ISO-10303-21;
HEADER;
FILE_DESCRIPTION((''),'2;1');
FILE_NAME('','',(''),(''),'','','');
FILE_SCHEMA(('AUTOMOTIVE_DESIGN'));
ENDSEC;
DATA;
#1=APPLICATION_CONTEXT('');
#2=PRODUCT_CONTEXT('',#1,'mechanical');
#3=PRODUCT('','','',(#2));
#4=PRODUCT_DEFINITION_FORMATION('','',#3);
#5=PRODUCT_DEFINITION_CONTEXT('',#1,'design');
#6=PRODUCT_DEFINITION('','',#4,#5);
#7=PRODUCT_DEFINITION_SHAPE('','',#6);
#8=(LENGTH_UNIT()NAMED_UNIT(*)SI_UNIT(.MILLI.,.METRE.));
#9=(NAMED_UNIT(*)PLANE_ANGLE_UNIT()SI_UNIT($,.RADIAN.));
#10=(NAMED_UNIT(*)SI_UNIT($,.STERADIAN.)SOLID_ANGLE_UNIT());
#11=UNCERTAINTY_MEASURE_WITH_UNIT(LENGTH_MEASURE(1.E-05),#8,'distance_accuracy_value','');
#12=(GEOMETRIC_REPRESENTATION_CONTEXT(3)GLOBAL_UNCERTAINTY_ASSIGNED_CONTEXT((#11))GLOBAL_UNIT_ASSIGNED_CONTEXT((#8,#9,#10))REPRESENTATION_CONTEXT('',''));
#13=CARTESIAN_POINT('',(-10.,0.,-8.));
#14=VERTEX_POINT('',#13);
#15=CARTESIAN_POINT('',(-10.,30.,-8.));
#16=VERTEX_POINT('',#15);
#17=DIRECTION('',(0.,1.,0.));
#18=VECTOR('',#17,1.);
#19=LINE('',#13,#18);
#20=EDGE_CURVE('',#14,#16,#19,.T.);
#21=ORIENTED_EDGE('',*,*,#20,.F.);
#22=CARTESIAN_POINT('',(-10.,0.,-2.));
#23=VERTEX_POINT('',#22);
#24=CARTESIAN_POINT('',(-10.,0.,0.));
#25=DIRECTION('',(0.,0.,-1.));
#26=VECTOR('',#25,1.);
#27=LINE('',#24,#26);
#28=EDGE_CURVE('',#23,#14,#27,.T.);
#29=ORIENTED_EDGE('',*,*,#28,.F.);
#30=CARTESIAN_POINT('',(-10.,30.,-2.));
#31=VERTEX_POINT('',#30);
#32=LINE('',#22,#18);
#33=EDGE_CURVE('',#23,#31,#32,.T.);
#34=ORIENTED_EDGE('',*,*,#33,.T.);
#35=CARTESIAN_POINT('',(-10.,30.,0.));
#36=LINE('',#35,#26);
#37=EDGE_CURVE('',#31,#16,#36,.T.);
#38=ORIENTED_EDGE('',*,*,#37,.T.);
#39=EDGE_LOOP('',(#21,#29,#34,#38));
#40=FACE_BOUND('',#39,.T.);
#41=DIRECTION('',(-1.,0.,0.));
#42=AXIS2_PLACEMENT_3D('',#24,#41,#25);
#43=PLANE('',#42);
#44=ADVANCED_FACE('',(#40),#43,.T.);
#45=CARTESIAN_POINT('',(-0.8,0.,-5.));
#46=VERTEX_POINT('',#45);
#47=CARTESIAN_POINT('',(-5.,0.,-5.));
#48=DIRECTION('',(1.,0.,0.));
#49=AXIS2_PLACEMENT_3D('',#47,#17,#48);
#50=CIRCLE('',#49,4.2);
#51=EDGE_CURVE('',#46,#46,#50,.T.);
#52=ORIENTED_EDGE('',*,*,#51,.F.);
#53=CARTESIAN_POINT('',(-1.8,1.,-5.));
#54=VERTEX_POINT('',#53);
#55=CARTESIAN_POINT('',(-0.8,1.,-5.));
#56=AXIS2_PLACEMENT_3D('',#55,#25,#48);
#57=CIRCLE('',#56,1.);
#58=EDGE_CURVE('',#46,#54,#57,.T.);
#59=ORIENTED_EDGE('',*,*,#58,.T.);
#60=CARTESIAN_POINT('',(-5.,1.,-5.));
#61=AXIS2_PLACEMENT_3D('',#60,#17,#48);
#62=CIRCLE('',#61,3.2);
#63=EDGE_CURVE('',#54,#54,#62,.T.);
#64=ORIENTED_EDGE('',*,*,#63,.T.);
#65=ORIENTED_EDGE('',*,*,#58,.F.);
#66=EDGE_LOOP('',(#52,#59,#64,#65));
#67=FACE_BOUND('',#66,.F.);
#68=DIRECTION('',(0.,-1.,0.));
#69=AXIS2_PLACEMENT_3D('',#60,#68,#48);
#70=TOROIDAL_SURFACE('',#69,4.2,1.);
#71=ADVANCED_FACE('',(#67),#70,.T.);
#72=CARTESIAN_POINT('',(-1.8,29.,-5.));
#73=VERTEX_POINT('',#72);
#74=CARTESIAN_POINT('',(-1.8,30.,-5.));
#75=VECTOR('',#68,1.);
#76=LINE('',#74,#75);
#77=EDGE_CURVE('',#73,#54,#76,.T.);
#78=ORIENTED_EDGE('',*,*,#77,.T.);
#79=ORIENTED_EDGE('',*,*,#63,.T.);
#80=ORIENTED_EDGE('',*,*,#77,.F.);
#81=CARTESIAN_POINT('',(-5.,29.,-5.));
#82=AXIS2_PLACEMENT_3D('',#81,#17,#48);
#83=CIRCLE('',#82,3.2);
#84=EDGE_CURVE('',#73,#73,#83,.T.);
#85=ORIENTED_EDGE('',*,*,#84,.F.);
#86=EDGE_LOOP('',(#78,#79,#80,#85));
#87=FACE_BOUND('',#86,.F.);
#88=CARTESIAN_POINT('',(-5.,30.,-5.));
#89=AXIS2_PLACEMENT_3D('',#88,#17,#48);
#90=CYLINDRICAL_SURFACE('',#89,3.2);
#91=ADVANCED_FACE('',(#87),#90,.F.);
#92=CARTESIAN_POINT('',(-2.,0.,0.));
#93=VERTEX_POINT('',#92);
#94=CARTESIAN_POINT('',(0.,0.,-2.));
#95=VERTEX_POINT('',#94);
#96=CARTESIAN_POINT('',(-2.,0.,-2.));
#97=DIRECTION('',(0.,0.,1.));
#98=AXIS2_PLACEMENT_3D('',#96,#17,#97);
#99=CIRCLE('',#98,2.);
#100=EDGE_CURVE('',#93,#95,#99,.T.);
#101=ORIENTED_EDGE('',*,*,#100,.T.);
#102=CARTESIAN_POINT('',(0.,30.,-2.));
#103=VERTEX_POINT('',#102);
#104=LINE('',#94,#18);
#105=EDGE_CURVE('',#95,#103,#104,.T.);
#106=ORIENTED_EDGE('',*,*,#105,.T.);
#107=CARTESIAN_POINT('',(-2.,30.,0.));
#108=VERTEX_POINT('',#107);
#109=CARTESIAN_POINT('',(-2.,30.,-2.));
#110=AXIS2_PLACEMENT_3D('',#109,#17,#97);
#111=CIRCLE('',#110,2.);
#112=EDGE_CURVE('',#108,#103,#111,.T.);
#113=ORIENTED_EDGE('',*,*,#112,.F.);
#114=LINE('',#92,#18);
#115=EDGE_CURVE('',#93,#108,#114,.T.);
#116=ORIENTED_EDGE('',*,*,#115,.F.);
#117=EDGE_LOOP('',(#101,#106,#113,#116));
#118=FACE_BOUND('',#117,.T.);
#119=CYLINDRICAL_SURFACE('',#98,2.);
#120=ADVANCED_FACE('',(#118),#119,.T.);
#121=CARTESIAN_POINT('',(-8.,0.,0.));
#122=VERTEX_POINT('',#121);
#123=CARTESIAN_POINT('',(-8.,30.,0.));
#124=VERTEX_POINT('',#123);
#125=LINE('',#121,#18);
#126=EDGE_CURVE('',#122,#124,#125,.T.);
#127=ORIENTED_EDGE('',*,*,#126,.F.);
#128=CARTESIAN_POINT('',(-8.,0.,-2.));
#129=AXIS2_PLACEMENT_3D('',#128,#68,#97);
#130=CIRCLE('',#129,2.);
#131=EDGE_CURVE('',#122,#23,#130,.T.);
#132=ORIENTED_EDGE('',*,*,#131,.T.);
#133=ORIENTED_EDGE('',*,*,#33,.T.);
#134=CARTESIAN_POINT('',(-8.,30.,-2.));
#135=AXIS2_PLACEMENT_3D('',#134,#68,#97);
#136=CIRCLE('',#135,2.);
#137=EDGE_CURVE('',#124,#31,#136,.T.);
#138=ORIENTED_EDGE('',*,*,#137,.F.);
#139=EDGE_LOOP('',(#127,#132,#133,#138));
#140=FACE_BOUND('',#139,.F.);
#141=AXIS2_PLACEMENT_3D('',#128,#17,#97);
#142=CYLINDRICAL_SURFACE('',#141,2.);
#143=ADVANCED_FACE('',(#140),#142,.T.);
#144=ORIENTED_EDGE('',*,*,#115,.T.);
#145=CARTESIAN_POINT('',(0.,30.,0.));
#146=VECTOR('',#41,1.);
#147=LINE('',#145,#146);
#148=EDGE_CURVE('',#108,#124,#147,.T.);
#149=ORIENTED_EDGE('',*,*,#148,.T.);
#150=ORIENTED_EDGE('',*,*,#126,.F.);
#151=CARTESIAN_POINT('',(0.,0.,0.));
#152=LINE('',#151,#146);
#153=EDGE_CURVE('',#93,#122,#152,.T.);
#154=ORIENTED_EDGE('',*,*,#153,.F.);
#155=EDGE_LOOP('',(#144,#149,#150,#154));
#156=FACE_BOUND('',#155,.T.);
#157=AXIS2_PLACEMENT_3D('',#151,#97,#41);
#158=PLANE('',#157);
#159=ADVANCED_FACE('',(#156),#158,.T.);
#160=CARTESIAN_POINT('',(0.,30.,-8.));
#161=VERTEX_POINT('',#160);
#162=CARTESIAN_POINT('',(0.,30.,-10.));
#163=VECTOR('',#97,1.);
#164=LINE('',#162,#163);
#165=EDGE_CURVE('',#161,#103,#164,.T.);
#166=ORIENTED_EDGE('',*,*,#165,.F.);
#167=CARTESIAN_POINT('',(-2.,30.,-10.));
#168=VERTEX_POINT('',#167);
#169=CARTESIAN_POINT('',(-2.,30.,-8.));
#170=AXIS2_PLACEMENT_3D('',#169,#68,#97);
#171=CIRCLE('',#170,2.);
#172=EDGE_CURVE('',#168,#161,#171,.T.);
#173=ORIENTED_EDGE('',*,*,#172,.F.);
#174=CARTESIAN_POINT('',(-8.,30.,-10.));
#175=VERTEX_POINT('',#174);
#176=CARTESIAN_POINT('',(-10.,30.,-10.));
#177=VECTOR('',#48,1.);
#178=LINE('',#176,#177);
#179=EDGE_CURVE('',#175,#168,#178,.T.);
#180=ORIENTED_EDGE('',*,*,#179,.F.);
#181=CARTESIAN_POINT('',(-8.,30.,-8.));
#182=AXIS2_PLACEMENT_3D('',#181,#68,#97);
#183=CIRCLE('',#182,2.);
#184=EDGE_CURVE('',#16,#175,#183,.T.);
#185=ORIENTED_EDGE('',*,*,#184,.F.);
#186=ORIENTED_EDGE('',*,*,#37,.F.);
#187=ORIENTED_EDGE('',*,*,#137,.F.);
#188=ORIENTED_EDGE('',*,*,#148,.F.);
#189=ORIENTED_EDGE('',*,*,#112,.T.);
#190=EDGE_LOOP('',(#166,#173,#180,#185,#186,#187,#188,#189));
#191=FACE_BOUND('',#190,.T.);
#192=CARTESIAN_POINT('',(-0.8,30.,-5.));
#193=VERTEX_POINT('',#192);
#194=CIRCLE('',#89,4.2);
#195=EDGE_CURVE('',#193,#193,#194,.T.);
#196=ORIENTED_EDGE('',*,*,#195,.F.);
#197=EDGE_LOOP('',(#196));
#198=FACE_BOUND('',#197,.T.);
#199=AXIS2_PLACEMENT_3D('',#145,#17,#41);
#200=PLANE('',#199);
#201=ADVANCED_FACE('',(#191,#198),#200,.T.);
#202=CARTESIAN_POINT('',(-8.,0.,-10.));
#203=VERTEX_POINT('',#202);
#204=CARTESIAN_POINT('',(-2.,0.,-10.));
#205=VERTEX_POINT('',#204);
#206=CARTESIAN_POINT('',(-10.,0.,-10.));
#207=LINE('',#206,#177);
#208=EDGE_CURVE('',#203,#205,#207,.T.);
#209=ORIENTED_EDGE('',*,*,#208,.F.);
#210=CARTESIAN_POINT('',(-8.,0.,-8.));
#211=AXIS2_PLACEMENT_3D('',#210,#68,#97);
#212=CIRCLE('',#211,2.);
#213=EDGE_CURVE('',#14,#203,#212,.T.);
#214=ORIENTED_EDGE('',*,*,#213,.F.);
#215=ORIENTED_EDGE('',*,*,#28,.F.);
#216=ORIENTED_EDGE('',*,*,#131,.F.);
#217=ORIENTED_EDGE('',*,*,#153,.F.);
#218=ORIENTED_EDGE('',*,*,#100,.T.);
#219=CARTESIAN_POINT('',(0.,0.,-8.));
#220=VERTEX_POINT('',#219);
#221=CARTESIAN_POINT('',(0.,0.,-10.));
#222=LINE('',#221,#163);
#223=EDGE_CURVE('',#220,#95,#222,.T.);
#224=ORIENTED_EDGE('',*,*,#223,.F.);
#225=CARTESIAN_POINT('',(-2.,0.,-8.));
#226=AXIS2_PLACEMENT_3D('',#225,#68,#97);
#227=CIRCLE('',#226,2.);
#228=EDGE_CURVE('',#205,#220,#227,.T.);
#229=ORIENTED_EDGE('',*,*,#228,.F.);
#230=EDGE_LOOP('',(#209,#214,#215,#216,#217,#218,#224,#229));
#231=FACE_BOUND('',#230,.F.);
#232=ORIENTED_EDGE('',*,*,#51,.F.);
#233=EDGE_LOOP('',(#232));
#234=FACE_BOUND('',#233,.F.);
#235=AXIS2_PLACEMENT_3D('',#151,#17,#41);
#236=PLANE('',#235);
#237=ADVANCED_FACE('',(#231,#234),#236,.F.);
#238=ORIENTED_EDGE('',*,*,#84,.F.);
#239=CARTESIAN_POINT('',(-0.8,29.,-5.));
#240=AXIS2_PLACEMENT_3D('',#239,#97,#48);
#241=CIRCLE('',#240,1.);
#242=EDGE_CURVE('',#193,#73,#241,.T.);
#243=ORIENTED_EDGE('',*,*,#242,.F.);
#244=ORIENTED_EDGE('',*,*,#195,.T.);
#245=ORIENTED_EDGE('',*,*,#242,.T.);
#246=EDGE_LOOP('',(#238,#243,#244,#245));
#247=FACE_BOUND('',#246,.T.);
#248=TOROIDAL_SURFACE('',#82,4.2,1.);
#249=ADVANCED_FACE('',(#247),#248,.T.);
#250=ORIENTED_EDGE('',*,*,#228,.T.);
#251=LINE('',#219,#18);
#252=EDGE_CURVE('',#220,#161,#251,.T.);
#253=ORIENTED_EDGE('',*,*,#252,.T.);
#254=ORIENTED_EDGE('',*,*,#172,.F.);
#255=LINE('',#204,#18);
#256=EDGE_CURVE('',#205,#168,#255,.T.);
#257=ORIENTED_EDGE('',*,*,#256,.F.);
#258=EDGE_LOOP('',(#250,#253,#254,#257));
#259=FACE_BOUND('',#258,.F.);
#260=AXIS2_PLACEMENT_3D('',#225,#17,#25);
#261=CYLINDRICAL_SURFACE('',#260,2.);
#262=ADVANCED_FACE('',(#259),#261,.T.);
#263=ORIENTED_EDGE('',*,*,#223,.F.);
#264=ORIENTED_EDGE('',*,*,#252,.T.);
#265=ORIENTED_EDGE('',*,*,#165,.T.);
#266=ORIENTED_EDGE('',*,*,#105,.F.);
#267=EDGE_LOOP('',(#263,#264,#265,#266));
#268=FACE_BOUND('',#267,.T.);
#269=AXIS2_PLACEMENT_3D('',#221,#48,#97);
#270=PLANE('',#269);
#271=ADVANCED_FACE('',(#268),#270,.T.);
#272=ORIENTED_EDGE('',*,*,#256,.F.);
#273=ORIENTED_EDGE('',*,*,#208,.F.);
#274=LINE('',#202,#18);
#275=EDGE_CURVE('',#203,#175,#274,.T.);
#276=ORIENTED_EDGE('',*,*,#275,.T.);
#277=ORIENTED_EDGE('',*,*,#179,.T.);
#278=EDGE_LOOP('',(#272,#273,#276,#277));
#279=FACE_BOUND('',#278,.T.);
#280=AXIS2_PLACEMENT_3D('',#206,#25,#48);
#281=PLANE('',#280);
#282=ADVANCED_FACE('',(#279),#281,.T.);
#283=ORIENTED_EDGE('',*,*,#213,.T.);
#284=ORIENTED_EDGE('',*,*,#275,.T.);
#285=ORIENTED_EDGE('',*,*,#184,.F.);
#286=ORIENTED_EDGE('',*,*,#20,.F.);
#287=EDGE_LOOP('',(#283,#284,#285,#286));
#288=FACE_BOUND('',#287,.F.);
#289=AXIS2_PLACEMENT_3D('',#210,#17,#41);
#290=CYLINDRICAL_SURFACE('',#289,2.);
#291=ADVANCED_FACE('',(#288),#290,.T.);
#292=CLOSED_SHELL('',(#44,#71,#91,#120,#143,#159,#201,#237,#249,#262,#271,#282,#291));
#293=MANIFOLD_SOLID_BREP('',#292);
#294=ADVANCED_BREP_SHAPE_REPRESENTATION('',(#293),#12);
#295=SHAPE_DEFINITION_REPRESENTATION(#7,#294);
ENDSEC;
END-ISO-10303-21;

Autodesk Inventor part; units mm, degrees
ref_plane "YZ Plane" through (0, 0, 0) normal (1, 0, 0) x (0, 1, 0)
ref_plane "XZ Plane" through (0, 0, 0) normal (0, 1, 0) x (-1, 0, 0)
ref_plane "XY Plane" through (0, 0, 0) normal (0, 0, 1) x (1, 0, 0)
sketch "Sketch1" plane through (0, 0, 0) normal (0, 1, 0) x (-1, 0, 0)
  line L0 (0, 0) -> (10, 0)
  line L1 (10, 0) -> (10, -10)
  line L2 (10, -10) -> (0, -10)
  line L3 (0, -10) -> (0, 0)
  dimension "d0" = 10
  dimension "d1" = 10
extrude "Extrusion1" add sketch "Sketch1" along normal blind 30
fillet "Fillet1" radius 2 4 edges at (0, 15, 0) (0, 15, -10) (-10, 15, 0) (-10, 15, -10)
sketch "Sketch2" plane through (0, 30, 0) normal (0, 1, 0) x (1, 0, 0)
  circle A0 centre (-5, 5) radius 3.2
  line L0 (-8, 0) -> (-2, 0) projected
  line L1 (-10, 8) -> (-10, 2) projected
  point P0 (0, 0)
  dimension "d5" = 6.4
  dimension "d6" = 5
  dimension "d7" = 5
extrude "Extrusion2" cut sketch "Sketch2" against normal through all
fillet "Fillet2" radius 1 2 edges at (-8.2, 30, -5) (-8.2, 0, -5)
properties part number "30mm_HeatInsertSpacer"
